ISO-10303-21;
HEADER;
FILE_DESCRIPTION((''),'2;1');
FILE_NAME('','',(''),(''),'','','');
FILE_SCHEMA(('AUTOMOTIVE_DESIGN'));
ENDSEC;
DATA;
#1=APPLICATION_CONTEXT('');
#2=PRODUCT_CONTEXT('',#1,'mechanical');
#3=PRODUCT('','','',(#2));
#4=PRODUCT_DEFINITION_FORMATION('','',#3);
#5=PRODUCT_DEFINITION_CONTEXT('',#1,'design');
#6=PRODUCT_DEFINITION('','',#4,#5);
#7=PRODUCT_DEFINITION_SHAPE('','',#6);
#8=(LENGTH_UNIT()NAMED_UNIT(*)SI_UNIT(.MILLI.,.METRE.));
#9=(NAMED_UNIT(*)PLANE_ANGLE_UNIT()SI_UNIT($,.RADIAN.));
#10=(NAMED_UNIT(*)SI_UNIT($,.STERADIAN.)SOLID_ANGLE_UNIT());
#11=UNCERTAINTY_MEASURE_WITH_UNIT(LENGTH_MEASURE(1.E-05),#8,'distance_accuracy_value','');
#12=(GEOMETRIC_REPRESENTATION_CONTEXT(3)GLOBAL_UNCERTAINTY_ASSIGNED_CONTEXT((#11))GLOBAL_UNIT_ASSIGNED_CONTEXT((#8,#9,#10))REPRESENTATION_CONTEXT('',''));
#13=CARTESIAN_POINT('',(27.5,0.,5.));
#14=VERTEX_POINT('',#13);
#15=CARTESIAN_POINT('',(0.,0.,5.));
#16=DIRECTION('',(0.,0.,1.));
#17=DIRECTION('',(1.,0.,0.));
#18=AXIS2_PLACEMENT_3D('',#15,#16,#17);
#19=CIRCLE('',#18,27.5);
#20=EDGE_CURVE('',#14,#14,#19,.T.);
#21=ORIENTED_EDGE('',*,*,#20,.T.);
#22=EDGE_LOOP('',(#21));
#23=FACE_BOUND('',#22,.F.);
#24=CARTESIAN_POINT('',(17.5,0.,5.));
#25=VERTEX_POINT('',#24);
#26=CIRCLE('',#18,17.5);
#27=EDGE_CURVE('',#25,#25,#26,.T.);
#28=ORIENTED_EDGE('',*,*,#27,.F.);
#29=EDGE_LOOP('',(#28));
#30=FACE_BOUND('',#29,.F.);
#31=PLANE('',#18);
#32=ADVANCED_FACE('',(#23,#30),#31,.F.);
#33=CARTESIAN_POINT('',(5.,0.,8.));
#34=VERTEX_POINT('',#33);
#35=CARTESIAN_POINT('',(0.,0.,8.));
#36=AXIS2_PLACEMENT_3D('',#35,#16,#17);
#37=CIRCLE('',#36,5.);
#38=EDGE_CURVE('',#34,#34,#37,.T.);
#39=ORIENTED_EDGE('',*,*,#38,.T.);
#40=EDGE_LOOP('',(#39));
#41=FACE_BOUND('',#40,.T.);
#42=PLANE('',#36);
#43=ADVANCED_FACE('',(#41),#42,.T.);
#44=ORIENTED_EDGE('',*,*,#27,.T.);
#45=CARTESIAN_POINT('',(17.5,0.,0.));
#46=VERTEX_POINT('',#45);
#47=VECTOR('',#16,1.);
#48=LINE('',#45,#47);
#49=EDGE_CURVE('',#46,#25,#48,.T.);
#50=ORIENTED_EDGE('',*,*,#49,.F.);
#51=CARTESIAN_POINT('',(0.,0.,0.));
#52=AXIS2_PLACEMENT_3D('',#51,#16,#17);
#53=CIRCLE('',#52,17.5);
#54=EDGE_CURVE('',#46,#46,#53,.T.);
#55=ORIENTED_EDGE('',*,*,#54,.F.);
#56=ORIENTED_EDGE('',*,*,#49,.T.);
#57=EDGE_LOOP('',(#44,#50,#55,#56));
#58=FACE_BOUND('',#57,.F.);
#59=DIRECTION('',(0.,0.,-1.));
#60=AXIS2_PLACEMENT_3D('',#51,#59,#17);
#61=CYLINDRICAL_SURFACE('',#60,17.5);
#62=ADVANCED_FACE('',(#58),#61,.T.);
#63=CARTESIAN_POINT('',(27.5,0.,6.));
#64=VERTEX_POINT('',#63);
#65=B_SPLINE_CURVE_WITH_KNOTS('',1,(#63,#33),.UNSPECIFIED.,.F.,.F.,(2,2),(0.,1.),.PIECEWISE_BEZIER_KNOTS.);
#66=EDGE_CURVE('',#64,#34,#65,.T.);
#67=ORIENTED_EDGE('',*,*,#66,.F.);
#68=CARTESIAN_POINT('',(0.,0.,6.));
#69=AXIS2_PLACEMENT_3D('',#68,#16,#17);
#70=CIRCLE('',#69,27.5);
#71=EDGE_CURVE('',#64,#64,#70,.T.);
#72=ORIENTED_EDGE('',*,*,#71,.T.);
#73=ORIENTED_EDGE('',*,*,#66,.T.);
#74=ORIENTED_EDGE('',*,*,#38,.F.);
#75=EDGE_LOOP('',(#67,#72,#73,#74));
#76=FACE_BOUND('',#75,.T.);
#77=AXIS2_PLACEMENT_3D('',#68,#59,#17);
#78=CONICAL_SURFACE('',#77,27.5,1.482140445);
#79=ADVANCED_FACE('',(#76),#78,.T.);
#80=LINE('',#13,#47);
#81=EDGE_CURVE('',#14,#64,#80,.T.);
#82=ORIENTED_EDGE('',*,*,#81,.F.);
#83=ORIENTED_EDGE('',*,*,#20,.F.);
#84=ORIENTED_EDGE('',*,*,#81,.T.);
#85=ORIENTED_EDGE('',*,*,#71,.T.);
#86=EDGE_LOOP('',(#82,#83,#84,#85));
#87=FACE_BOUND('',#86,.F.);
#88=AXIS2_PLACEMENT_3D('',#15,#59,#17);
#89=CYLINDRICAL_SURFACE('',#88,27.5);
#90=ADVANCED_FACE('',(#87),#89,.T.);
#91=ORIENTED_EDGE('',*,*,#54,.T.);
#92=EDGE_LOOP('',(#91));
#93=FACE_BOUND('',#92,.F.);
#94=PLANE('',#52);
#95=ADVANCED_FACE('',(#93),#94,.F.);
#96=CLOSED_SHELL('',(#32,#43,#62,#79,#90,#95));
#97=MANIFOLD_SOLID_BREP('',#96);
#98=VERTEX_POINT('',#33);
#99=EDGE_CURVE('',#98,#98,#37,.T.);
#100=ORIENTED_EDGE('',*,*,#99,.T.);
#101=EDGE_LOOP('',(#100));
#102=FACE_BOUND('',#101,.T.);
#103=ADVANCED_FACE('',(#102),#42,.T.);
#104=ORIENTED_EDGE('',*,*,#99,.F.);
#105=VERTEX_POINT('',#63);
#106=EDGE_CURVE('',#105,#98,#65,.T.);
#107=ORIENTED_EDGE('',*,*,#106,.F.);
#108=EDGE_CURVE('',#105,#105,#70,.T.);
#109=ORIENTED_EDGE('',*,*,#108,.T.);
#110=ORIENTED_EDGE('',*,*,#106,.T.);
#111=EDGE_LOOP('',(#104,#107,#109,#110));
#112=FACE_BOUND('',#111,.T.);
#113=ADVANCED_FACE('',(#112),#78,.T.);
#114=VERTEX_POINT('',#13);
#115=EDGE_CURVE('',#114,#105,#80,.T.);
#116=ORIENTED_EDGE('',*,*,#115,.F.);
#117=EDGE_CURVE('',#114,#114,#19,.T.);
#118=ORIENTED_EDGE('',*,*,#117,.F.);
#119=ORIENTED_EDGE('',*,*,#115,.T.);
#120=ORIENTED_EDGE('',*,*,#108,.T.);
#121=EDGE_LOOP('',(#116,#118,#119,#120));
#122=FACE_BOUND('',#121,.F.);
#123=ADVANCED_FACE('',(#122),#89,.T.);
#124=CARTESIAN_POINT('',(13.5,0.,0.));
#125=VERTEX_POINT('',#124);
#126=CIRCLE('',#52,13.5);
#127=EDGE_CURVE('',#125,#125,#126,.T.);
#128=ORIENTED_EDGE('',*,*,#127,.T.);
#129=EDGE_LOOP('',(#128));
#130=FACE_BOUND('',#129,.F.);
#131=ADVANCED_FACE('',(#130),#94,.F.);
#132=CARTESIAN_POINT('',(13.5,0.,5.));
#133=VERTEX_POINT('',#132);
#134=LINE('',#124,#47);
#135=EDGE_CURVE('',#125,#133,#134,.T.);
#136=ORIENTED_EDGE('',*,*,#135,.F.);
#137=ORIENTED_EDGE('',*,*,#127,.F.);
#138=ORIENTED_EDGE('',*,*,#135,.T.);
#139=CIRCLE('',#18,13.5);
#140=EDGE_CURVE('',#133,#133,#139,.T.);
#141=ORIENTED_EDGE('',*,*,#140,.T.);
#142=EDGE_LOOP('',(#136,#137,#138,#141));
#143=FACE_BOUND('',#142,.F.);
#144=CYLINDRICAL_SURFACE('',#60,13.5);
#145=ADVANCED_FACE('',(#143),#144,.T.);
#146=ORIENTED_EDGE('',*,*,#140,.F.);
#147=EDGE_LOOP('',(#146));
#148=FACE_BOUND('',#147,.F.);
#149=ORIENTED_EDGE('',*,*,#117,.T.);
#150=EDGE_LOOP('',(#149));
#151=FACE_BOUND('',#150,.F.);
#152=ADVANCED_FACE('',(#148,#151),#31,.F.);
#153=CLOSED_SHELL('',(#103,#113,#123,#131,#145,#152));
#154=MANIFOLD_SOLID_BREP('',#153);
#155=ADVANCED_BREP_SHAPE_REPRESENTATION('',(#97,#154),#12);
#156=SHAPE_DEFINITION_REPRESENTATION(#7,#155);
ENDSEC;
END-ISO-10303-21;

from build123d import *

# Parameters (mm, degrees)
SKETCH_R     = 17.5
PAD_DEPTH    = 5
SKETCH001_R  = 27.5
PAD001_DEPTH = 1
SKETCH003_R  = 27.5
SKETCH002_R  = 5
SKETCH006_R  = 13.5
PAD002_DEPTH = 5
SKETCH004_R  = 27.5
PAD003_DEPTH = 1
SKETCH007_R  = 27.5
SKETCH005_R  = 5


with BuildPart() as body:
    # Sketch → Pad (new body)
    with BuildSketch(Plane.XY):
        Circle(SKETCH_R)
    extrude(amount=PAD_DEPTH)

    # Sketch001 (on Face3 of Pad) → Pad001 (join)
    with BuildSketch(Plane.XY.offset(5)):
        Circle(SKETCH001_R)
    extrude(amount=PAD001_DEPTH)

    # Sketch003 (on Face3 of Pad001) → AdditiveLoft section 0
    with BuildSketch(Plane.XY.offset(6)):
        Circle(SKETCH003_R)
    # Sketch002 → AdditiveLoft section 1
    with BuildSketch(Plane.XY.offset(8)):
        Circle(SKETCH002_R)
    loft()


with BuildPart() as body001:
    # Sketch006 → Pad002 (new body)
    with BuildSketch(Plane.XY):
        Circle(SKETCH006_R)
    extrude(amount=PAD002_DEPTH)

    # Sketch004 (on Face3 of Pad002) → Pad003 (join)
    with BuildSketch(Plane.XY.offset(5)):
        Circle(SKETCH004_R)
    extrude(amount=PAD003_DEPTH)

    # Sketch007 (on Face3 of Pad003) → AdditiveLoft001 section 0
    with BuildSketch(Plane.XY.offset(6)):
        Circle(SKETCH007_R)
    # Sketch005 → AdditiveLoft001 section 1
    with BuildSketch(Plane.XY.offset(8)):
        Circle(SKETCH005_R)
    loft()


solid = Compound([body.part, body001.part])
